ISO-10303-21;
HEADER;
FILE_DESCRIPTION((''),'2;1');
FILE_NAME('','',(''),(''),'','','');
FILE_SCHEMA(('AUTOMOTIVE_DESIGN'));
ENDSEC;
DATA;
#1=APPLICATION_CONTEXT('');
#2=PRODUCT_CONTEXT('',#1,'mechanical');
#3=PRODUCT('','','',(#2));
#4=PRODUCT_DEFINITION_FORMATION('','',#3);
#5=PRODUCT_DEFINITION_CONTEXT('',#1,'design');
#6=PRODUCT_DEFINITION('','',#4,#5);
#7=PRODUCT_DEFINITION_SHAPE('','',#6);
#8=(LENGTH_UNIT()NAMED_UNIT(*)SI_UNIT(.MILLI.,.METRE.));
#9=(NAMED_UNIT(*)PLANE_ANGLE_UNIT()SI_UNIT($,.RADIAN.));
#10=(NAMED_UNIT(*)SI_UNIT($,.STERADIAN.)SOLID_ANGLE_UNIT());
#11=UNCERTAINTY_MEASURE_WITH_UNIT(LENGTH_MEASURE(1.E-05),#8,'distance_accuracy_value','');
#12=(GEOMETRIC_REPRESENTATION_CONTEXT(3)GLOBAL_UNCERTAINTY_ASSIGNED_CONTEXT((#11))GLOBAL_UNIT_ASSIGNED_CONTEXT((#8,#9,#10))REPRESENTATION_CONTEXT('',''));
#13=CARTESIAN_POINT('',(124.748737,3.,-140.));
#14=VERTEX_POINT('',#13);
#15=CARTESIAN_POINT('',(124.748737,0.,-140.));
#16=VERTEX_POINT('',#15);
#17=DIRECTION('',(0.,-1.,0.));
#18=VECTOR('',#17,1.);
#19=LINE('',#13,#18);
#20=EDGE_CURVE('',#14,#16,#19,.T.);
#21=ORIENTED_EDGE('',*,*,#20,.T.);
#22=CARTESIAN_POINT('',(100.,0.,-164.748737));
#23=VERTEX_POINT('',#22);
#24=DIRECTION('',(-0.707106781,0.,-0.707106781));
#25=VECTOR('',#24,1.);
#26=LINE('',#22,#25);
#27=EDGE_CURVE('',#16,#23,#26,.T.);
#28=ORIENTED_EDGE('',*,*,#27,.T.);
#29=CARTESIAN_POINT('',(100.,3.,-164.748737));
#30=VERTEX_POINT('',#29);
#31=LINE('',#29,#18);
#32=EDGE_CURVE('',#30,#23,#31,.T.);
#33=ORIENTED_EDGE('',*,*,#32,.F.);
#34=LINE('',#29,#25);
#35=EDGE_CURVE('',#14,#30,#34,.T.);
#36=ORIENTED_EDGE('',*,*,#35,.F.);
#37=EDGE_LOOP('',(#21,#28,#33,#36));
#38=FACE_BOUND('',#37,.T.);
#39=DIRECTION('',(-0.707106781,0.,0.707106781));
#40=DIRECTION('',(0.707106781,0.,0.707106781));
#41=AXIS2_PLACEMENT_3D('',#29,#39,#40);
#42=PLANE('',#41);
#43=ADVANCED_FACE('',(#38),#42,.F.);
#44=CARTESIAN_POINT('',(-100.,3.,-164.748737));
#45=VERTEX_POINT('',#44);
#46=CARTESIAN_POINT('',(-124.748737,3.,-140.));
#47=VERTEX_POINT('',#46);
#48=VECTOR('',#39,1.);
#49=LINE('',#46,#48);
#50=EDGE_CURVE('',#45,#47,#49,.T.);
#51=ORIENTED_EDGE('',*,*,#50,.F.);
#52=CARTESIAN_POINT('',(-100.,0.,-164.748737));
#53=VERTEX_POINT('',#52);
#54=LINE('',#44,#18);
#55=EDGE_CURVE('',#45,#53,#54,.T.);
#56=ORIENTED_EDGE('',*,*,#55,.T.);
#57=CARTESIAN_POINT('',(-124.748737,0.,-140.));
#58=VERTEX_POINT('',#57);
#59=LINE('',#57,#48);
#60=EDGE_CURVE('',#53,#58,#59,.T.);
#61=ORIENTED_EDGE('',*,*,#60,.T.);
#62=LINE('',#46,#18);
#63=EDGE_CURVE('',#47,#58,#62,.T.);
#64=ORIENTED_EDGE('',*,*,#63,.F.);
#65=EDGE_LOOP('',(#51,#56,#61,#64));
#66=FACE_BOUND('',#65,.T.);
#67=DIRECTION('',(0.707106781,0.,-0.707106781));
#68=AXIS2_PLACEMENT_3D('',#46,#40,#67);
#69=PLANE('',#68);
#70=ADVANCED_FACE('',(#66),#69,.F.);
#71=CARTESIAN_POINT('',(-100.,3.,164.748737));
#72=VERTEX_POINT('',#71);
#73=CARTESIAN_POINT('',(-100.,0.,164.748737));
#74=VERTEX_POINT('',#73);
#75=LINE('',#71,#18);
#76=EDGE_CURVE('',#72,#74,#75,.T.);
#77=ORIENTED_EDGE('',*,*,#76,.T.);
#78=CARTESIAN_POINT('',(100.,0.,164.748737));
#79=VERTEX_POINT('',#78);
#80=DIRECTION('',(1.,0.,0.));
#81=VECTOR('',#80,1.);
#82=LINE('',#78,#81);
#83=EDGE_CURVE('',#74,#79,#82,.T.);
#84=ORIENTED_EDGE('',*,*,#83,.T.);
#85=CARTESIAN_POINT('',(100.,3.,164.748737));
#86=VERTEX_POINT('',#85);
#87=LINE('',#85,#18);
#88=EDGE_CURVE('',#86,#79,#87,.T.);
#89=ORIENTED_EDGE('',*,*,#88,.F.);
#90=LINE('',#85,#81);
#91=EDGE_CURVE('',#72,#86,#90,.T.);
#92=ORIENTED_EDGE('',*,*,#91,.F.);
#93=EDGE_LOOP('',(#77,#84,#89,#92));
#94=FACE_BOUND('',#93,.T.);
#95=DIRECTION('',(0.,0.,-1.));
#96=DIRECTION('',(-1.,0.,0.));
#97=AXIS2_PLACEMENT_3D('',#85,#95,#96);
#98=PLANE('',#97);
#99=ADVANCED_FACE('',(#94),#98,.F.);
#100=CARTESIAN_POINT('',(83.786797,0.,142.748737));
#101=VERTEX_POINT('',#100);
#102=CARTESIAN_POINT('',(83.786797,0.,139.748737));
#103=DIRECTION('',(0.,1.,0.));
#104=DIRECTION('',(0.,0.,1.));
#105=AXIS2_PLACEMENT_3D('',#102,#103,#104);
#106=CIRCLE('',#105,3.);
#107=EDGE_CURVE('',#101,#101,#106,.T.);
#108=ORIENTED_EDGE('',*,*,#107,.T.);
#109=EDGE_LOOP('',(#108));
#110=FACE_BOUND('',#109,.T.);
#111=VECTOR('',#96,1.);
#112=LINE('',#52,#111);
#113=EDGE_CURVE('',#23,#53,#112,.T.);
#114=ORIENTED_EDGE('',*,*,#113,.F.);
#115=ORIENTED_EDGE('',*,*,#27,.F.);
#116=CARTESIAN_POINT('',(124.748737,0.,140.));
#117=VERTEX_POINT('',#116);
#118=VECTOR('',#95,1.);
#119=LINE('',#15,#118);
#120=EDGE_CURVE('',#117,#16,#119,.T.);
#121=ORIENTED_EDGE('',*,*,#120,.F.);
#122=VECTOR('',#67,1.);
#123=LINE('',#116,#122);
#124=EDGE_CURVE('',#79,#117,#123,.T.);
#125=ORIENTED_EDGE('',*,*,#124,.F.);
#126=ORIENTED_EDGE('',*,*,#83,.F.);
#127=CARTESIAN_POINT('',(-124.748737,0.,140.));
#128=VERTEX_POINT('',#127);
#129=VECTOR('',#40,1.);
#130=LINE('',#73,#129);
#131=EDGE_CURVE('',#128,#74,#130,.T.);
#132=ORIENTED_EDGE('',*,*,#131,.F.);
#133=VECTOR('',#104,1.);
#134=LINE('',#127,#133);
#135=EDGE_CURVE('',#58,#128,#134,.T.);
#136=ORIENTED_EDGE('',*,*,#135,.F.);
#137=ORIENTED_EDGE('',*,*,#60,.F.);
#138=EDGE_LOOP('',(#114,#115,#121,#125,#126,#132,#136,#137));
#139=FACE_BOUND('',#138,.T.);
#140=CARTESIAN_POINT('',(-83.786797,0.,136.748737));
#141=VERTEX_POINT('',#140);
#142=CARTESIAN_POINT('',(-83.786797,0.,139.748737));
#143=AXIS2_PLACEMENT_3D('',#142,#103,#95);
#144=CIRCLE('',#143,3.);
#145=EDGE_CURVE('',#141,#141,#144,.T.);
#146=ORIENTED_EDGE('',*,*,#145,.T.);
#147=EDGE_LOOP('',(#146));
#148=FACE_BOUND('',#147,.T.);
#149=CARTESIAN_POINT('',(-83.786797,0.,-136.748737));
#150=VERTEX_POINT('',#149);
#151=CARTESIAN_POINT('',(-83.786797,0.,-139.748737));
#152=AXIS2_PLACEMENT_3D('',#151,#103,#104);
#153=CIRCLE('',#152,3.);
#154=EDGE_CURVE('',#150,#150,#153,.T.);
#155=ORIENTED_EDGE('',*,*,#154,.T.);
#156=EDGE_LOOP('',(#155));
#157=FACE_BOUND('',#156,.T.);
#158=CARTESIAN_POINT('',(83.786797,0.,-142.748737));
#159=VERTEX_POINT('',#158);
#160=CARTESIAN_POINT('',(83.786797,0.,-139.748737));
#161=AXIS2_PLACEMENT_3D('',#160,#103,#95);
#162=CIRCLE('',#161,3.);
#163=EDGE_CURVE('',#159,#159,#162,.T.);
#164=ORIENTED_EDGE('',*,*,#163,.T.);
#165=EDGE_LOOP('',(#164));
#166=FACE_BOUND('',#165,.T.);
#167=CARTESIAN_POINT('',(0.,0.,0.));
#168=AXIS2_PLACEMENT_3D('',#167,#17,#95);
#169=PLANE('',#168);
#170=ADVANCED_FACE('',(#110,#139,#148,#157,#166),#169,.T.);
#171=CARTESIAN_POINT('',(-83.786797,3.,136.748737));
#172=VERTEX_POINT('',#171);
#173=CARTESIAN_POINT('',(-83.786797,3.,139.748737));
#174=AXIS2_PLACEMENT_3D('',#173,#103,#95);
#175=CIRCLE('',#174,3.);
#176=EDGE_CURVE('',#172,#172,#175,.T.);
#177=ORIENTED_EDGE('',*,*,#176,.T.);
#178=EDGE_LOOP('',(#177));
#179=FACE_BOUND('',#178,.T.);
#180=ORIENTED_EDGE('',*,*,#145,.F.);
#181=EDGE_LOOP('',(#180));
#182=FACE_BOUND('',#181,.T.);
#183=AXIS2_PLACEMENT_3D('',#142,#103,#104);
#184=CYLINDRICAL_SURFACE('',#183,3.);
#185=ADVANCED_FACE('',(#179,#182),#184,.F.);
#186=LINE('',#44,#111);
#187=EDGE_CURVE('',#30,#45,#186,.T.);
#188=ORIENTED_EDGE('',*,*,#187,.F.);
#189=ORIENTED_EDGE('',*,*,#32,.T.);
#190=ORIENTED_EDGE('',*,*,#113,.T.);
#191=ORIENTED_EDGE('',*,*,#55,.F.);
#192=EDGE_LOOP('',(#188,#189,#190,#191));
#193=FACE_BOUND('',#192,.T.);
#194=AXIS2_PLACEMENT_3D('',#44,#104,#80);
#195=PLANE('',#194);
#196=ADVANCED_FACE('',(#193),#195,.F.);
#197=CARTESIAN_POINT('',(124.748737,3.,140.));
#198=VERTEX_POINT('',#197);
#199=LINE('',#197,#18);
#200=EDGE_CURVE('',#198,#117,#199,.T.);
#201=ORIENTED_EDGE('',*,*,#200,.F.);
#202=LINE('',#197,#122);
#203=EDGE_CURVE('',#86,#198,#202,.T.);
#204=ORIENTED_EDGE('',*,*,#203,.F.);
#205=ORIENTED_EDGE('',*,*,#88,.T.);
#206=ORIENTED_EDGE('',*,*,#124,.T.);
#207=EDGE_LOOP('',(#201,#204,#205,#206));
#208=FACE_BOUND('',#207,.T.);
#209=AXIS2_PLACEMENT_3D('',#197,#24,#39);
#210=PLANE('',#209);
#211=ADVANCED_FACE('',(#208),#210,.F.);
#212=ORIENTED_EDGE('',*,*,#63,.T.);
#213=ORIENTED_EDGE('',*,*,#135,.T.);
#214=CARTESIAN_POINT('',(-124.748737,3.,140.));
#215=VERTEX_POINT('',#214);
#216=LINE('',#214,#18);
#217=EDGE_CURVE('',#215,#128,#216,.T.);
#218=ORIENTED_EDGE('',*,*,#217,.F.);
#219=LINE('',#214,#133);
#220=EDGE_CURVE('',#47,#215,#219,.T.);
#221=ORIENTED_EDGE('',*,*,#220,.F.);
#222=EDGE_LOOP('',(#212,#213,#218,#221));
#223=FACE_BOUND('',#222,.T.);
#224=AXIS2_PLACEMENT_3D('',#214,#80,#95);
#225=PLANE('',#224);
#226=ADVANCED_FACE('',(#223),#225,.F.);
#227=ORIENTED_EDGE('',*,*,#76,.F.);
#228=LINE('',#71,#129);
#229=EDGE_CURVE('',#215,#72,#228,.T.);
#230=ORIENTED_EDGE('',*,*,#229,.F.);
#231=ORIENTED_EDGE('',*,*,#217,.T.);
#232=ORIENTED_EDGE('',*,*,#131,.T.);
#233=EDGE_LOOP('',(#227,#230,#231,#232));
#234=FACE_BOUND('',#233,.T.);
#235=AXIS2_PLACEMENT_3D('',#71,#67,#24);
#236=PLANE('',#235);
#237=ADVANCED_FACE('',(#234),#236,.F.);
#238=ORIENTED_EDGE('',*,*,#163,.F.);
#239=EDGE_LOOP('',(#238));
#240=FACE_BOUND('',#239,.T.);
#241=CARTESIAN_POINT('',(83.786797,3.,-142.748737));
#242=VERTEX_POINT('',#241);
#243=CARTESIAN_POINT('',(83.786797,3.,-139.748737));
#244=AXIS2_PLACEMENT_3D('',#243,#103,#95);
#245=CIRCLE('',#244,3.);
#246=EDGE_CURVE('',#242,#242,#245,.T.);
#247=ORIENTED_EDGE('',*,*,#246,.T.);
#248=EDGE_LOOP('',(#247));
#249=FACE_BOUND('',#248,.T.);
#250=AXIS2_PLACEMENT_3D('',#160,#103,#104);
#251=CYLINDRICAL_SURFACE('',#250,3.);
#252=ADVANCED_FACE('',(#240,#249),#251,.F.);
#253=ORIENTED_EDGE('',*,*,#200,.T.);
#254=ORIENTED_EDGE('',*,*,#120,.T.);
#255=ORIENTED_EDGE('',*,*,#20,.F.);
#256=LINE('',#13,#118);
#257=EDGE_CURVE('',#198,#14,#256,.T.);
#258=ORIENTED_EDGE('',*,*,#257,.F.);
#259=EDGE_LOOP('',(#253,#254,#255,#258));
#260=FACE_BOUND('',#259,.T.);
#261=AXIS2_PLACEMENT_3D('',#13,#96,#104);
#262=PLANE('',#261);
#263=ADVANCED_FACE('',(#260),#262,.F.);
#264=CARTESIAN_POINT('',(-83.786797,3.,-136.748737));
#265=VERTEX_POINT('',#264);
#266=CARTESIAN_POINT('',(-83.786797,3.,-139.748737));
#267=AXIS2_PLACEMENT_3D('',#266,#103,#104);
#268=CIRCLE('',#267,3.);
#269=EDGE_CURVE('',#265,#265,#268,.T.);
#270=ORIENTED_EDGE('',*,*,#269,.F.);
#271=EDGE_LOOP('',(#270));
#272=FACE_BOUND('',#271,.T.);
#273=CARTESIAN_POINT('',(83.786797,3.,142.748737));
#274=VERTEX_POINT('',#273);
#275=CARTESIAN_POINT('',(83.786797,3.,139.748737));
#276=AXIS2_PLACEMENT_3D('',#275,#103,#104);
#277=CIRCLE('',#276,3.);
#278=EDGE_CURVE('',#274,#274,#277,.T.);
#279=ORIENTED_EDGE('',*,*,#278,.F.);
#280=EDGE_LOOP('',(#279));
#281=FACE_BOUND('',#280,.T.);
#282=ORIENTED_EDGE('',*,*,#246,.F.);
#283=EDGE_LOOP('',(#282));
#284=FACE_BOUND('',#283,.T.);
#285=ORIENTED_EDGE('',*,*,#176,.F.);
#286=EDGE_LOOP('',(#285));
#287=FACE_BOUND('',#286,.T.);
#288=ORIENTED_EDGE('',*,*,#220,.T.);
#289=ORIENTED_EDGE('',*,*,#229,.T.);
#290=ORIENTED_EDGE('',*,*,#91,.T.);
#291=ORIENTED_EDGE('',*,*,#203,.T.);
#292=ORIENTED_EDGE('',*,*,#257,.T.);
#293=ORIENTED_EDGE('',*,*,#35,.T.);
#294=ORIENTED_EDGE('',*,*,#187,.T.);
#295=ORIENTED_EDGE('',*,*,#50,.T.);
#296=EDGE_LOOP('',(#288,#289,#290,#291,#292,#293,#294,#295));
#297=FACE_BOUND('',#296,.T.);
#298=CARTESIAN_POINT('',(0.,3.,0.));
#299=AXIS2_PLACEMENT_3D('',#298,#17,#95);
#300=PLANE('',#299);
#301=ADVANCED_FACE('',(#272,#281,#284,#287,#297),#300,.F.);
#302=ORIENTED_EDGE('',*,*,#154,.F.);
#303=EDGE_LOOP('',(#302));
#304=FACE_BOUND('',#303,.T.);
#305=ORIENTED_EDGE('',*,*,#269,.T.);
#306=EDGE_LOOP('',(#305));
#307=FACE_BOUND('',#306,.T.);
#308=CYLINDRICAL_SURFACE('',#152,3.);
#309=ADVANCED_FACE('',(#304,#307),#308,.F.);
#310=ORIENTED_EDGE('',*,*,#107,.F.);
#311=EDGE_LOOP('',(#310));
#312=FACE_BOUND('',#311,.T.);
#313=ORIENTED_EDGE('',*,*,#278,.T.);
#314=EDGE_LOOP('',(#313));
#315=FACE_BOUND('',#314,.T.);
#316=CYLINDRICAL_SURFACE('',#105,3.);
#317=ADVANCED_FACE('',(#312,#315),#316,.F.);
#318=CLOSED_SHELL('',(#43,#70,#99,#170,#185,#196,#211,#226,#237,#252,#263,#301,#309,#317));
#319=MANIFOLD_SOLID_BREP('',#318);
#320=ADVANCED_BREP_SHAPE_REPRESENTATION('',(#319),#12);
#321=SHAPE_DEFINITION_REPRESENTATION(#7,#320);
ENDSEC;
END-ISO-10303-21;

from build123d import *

# Parameters (mm, degrees)
BOSS_EXTRU_1_DEPTH      = 3
ESQUISSE2_R             = 3
ENL_V_MAT_EXTRU_1_DEPTH = 4


with BuildPart() as part:
    # Esquisse1 → Boss.-Extru.1 (new body)
    with BuildSketch(Plane(origin=(0, 0, 0), x_dir=(1, 0, 0), z_dir=(0, 1, 0))):
        Polygon((100, -164.748737342), (-100, -164.748737342), (-124.748737342, -140), (-124.748737342, 140), (-100, 164.748737342), (100, 164.748737342), (124.748737342, 140), (124.748737342, -140), align=None)
    extrude(amount=BOSS_EXTRU_1_DEPTH)

    # Esquisse2 → Enlèv. mat.-Extru.1 (cut, through all)
    with BuildSketch(Plane(origin=(0, 3, 0), x_dir=(1, 0, 0), z_dir=(0, 1, 0))):
        with Locations((-83.786796564, 139.748737342)):
            Circle(ESQUISSE2_R)
        with Locations((83.786796564, 139.748737342)):
            Circle(ESQUISSE2_R)
        with Locations((83.786796564, -139.748737342)):
            Circle(ESQUISSE2_R)
        with Locations((-83.786796564, -139.748737342)):
            Circle(ESQUISSE2_R)
    extrude(amount=-ENL_V_MAT_EXTRU_1_DEPTH, mode=Mode.SUBTRACT)


solid = part.part
